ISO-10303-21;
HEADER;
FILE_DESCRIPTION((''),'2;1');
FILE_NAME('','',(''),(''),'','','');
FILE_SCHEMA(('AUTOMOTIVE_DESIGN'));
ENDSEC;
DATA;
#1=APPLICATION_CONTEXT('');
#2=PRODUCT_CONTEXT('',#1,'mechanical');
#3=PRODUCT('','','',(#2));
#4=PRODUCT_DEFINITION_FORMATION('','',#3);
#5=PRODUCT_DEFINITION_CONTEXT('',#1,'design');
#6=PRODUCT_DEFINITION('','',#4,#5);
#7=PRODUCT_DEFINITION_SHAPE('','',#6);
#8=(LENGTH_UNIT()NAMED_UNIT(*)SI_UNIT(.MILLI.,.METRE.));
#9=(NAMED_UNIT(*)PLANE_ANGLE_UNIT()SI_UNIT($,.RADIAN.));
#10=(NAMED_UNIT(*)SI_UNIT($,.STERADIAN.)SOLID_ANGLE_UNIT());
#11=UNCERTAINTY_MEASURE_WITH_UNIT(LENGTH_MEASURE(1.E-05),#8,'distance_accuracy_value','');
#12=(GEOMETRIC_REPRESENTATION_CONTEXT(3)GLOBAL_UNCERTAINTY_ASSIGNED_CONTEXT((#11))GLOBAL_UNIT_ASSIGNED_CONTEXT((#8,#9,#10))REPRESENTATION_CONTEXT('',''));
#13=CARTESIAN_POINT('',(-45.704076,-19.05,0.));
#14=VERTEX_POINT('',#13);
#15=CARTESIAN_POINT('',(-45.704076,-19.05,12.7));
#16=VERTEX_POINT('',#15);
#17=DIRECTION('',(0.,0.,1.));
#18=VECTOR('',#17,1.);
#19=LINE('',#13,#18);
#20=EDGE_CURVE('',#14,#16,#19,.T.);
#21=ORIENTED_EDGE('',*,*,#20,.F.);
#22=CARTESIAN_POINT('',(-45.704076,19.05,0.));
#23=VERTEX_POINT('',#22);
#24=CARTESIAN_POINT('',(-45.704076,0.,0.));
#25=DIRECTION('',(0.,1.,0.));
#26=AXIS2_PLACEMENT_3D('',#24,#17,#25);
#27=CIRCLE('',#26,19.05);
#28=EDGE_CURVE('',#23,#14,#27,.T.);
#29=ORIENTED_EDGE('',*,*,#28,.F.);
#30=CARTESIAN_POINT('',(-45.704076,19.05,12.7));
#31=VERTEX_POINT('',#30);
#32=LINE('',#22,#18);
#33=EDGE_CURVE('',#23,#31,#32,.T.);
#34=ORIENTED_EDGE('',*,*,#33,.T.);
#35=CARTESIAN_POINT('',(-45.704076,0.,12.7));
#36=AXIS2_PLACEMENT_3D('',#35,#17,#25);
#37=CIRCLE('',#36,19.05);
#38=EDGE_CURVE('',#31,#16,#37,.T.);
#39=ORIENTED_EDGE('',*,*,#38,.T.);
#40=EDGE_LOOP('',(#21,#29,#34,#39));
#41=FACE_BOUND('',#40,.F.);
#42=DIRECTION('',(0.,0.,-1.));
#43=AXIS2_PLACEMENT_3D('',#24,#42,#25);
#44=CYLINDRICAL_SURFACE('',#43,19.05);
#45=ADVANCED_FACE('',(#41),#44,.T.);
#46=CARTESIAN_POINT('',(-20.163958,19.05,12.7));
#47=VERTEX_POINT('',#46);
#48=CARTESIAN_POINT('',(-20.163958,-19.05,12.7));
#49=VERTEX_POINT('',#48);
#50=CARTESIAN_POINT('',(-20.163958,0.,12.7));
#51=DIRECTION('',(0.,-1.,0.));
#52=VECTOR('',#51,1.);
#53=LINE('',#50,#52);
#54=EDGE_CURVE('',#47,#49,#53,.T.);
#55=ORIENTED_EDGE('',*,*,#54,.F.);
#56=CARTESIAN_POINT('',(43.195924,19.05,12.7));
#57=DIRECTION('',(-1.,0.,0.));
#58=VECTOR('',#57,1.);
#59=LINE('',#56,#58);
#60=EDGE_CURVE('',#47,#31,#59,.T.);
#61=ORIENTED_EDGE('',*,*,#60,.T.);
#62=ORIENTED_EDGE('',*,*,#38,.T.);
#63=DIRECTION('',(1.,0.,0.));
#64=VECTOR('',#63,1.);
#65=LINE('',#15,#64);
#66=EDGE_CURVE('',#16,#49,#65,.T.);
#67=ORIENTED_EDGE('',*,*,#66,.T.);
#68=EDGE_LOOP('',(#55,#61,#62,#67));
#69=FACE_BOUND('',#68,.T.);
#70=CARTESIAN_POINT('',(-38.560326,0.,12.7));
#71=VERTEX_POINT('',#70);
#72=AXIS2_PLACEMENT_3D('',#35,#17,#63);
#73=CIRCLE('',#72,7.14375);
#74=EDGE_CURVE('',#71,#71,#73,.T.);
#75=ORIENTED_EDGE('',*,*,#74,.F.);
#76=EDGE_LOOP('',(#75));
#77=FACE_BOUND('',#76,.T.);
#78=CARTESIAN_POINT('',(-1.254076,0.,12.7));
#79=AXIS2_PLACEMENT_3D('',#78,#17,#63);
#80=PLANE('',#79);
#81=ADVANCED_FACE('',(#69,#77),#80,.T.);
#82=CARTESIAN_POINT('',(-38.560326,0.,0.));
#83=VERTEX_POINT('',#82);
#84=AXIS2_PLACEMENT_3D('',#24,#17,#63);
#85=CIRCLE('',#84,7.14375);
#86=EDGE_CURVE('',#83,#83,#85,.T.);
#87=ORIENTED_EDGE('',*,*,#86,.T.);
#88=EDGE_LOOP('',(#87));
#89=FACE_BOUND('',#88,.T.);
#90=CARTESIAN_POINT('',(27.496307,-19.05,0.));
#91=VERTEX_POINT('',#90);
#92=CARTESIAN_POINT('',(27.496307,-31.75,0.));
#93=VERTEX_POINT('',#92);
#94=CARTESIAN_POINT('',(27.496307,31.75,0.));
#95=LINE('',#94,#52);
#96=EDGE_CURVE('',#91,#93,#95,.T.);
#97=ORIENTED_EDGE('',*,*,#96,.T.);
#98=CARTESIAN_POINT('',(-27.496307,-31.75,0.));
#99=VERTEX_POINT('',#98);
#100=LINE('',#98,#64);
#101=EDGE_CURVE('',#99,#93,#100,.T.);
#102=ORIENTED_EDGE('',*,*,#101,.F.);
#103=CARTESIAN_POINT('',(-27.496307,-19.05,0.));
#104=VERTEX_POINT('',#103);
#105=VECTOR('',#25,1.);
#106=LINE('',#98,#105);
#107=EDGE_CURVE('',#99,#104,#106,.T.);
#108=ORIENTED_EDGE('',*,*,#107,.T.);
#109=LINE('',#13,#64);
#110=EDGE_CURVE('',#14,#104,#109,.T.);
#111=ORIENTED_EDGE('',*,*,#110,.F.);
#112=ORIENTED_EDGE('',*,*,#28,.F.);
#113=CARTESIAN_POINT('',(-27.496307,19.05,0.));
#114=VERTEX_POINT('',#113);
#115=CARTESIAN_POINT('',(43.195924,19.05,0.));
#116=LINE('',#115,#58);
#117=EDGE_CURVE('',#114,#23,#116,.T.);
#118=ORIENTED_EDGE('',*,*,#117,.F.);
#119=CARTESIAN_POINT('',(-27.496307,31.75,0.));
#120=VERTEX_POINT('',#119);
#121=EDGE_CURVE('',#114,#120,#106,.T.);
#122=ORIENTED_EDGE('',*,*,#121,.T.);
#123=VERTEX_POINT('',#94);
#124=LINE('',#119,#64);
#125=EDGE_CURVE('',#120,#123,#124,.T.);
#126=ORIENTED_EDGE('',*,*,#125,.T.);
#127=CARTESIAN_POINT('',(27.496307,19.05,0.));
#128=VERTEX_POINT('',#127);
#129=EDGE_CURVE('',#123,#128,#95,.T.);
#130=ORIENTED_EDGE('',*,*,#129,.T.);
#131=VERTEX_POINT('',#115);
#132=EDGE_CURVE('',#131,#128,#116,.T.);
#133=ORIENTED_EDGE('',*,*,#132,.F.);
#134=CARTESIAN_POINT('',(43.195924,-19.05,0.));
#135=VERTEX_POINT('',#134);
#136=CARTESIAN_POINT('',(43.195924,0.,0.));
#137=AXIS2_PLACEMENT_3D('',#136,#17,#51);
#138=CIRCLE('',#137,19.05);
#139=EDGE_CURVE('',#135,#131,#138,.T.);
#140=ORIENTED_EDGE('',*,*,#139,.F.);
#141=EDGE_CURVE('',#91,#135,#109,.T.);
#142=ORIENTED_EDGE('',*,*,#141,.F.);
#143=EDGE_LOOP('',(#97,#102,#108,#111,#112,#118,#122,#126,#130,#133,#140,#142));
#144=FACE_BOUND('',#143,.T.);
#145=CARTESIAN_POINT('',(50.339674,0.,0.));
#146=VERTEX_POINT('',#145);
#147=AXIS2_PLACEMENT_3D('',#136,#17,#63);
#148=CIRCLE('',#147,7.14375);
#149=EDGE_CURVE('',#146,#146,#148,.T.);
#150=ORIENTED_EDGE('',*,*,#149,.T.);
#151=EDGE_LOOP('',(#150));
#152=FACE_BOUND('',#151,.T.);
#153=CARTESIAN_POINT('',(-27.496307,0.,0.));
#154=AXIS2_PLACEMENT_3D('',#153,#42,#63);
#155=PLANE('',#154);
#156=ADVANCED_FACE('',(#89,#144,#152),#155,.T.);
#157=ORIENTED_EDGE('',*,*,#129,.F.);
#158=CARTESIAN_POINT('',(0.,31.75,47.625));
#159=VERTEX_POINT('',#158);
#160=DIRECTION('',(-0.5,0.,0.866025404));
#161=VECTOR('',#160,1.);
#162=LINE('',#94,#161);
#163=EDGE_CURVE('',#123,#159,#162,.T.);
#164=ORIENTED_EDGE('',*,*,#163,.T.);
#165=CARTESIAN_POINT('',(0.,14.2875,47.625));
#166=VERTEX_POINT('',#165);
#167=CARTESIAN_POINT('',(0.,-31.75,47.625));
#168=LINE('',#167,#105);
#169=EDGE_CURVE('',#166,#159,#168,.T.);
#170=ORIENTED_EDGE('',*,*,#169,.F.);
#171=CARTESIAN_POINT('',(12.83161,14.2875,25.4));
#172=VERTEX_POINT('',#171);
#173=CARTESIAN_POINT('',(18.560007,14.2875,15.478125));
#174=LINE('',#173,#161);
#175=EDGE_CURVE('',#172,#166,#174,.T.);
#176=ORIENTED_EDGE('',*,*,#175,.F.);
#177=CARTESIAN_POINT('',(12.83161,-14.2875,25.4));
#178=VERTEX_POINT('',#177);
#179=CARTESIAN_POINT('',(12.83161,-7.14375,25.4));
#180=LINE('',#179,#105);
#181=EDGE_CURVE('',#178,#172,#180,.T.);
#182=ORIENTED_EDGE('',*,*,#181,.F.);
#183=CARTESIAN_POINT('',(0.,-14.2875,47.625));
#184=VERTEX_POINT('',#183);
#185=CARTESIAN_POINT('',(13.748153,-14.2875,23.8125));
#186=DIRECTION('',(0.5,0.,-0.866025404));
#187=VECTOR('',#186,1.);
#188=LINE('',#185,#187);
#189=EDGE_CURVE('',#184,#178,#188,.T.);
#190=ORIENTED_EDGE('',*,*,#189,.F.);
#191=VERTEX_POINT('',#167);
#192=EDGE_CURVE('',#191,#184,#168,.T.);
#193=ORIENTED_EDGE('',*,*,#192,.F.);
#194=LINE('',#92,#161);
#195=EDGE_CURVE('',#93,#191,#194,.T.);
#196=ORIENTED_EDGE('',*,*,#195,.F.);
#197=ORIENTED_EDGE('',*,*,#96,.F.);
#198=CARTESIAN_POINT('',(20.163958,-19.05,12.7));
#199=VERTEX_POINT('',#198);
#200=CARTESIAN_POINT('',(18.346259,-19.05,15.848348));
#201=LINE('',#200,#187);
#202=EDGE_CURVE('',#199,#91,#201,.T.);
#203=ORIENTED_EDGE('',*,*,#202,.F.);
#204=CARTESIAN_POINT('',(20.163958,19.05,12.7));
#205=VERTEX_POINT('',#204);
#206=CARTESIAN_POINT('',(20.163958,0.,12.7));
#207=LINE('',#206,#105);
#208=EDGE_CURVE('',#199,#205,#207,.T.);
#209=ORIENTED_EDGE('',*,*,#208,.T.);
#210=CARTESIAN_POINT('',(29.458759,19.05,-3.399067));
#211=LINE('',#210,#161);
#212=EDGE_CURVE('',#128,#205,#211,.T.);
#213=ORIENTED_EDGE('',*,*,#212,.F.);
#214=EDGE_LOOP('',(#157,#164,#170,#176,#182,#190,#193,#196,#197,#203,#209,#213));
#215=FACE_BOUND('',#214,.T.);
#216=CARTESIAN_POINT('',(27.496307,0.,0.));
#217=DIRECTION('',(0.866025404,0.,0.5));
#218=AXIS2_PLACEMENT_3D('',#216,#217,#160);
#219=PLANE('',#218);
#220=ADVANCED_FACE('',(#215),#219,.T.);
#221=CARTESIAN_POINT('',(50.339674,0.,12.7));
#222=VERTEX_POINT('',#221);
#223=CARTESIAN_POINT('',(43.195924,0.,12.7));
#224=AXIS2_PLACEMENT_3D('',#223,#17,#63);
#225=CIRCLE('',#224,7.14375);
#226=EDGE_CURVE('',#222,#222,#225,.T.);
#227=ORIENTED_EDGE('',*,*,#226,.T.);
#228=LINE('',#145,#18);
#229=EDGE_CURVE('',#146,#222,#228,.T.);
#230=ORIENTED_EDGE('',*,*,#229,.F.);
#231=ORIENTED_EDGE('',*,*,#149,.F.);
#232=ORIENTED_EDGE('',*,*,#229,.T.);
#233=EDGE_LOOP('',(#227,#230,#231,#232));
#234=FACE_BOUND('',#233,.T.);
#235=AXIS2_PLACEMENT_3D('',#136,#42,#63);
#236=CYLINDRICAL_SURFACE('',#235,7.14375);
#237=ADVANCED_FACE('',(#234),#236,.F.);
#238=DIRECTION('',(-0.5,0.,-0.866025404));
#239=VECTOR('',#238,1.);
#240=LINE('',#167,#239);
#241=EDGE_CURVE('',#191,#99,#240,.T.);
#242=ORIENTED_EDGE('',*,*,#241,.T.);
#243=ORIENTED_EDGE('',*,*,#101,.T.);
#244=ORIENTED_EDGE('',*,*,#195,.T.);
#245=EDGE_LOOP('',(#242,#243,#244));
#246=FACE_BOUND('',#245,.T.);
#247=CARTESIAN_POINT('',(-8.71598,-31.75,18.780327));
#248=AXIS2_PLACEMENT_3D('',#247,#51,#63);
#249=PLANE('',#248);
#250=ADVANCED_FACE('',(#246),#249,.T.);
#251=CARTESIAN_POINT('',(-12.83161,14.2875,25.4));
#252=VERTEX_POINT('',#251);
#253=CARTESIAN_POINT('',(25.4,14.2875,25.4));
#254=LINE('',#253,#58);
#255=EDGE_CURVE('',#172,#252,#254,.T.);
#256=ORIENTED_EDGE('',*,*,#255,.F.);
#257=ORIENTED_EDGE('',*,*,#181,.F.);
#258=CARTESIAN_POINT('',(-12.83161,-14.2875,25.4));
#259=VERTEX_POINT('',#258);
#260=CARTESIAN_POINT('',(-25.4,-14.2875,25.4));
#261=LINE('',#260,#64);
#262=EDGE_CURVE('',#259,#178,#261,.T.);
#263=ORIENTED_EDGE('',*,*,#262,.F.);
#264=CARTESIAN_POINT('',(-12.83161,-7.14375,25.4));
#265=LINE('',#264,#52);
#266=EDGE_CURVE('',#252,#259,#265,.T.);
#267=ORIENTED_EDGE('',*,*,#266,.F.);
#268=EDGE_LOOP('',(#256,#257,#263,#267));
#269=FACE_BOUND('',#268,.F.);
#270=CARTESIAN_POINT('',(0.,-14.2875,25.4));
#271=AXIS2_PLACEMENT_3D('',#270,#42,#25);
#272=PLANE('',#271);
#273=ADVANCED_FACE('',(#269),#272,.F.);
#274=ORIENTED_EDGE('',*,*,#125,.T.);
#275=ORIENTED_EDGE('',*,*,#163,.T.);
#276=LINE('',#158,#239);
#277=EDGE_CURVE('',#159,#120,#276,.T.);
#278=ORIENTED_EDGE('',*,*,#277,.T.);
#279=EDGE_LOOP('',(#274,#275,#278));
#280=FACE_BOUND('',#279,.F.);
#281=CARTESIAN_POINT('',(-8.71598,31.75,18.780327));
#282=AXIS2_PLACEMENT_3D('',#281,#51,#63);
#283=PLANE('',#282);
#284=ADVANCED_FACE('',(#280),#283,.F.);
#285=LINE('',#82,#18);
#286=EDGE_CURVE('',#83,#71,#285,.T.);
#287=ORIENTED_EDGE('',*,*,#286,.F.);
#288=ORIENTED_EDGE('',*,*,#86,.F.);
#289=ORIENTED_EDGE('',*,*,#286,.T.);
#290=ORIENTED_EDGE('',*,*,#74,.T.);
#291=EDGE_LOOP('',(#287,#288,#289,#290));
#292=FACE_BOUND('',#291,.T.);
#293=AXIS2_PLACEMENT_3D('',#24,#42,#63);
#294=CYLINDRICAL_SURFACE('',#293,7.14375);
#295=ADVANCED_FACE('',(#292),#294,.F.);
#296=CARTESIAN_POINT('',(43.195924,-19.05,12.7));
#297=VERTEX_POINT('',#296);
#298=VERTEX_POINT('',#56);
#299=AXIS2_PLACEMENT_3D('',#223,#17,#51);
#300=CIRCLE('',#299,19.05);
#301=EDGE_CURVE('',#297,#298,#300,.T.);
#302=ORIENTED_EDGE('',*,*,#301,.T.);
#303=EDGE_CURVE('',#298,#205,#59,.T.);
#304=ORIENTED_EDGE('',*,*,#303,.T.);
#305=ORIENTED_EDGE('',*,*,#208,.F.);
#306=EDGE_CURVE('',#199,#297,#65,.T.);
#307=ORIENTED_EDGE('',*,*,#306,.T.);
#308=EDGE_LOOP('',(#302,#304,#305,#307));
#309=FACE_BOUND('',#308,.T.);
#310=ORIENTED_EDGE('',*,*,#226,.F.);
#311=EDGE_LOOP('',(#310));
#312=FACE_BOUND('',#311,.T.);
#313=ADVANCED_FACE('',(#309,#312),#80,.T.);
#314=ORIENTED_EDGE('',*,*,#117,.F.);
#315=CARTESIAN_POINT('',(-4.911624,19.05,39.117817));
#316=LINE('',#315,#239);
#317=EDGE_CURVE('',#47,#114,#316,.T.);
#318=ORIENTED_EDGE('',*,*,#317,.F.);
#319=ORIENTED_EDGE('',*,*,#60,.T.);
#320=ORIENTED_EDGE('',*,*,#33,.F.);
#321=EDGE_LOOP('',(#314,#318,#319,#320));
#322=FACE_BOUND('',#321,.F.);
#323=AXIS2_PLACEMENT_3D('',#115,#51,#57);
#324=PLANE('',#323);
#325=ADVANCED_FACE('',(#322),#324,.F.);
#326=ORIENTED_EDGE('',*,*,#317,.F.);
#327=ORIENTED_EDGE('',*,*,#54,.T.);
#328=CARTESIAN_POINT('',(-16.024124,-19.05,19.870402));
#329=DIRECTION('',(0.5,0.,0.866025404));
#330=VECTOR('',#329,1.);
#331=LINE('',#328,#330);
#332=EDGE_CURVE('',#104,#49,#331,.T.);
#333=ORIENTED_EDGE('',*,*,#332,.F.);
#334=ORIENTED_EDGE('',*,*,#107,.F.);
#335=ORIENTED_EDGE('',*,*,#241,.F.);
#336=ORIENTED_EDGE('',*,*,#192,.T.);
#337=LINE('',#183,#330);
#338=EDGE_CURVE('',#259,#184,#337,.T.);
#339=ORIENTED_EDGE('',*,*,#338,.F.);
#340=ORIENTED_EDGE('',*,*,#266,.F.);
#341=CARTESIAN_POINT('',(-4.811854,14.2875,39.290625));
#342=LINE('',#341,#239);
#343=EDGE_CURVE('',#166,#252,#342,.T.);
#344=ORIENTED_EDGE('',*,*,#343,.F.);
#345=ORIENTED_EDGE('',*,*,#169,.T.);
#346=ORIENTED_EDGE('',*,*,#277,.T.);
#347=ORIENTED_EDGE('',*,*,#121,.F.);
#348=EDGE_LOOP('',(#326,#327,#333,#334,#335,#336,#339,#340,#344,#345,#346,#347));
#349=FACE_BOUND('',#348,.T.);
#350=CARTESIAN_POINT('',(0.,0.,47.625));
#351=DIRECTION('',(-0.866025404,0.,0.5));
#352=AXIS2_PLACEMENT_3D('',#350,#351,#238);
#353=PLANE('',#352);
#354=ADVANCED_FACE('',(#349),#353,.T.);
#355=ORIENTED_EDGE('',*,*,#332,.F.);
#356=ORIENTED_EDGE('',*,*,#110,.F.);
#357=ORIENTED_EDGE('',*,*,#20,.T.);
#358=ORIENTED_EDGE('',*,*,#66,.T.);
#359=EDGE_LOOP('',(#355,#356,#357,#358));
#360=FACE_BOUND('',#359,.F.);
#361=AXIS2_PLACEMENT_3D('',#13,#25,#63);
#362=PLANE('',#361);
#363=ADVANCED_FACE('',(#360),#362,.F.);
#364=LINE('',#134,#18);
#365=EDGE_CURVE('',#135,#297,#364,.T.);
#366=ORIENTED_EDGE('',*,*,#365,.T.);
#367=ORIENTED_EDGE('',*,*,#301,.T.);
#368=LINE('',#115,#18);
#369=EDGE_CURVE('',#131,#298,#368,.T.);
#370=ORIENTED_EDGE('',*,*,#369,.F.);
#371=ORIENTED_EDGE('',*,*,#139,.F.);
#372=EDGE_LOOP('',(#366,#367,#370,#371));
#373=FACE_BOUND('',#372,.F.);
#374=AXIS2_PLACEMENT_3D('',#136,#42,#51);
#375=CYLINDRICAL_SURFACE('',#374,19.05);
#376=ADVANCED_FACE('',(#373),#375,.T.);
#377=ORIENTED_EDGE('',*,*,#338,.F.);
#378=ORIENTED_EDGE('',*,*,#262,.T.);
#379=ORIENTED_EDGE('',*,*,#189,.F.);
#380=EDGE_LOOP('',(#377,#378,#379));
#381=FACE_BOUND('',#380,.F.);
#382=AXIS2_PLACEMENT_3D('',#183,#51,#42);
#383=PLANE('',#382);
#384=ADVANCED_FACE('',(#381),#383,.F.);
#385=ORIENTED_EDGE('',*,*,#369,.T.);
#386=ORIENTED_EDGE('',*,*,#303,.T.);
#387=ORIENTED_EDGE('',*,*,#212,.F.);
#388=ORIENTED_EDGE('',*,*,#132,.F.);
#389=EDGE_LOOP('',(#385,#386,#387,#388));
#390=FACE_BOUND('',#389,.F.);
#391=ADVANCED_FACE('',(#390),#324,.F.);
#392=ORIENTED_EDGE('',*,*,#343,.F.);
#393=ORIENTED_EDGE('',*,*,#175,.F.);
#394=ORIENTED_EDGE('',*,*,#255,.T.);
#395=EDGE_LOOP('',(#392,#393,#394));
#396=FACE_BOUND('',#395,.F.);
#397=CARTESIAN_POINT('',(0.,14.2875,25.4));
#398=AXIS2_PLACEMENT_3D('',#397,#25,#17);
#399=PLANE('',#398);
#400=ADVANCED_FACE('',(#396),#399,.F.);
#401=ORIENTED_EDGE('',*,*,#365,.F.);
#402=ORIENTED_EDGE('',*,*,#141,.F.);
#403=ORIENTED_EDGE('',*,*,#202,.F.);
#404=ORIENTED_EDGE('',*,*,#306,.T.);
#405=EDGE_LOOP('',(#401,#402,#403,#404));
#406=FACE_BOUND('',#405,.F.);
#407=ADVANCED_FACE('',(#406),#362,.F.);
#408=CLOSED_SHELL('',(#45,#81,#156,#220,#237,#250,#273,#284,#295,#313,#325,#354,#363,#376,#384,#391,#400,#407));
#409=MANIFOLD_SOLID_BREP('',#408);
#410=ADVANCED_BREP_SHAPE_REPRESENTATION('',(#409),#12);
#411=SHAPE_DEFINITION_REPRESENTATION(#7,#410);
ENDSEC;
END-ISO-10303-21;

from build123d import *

# Parameters (mm, degrees)
F0_R     = 7.14375
F1_DEPTH = 12.7
F3_DEPTH = 31.75
F5_DEPTH = 25.4


with BuildPart() as f1:
    # F0 (on Top) → F1 (new body)
    with BuildSketch(Plane.XY):
        with BuildLine():
            Line((43.195924403, 19.05), (-45.704075597, 19.05))
            ThreePointArc((-45.704075597, 19.05), (-64.754075597, 0), (-45.704075597, -19.05))
            Line((-45.704075597, -19.05), (43.195924403, -19.05))
            ThreePointArc((43.195924403, -19.05), (62.245924403, 0), (43.195924403, 19.05))
        make_face()
        with Locations((-45.704075597, 0)):
            Circle(F0_R, mode=Mode.SUBTRACT)
        with Locations((43.195924403, 0)):
            Circle(F0_R, mode=Mode.SUBTRACT)
    extrude(amount=F1_DEPTH)

    # F2 (on Front) → F3 (join, symmetric)
    with BuildSketch(Plane.XZ):
        Polygon((-27.4963065702, 0), (0, 0), (0, 47.625), align=None)
        Polygon((0, 47.625), (0, 0), (27.4963065702, 0), align=None)
    extrude(amount=F3_DEPTH, both=True)

    # F4 (on Right) → F5 (cut, symmetric)
    with BuildSketch(Plane.YZ):
        Polygon((14.2875, 47.625), (0, 47.625), (-14.2875, 47.625), (-14.2875, 25.4), (14.2875, 25.4), align=None)
    extrude(amount=F5_DEPTH, both=True, mode=Mode.SUBTRACT)


solid = f1.part
